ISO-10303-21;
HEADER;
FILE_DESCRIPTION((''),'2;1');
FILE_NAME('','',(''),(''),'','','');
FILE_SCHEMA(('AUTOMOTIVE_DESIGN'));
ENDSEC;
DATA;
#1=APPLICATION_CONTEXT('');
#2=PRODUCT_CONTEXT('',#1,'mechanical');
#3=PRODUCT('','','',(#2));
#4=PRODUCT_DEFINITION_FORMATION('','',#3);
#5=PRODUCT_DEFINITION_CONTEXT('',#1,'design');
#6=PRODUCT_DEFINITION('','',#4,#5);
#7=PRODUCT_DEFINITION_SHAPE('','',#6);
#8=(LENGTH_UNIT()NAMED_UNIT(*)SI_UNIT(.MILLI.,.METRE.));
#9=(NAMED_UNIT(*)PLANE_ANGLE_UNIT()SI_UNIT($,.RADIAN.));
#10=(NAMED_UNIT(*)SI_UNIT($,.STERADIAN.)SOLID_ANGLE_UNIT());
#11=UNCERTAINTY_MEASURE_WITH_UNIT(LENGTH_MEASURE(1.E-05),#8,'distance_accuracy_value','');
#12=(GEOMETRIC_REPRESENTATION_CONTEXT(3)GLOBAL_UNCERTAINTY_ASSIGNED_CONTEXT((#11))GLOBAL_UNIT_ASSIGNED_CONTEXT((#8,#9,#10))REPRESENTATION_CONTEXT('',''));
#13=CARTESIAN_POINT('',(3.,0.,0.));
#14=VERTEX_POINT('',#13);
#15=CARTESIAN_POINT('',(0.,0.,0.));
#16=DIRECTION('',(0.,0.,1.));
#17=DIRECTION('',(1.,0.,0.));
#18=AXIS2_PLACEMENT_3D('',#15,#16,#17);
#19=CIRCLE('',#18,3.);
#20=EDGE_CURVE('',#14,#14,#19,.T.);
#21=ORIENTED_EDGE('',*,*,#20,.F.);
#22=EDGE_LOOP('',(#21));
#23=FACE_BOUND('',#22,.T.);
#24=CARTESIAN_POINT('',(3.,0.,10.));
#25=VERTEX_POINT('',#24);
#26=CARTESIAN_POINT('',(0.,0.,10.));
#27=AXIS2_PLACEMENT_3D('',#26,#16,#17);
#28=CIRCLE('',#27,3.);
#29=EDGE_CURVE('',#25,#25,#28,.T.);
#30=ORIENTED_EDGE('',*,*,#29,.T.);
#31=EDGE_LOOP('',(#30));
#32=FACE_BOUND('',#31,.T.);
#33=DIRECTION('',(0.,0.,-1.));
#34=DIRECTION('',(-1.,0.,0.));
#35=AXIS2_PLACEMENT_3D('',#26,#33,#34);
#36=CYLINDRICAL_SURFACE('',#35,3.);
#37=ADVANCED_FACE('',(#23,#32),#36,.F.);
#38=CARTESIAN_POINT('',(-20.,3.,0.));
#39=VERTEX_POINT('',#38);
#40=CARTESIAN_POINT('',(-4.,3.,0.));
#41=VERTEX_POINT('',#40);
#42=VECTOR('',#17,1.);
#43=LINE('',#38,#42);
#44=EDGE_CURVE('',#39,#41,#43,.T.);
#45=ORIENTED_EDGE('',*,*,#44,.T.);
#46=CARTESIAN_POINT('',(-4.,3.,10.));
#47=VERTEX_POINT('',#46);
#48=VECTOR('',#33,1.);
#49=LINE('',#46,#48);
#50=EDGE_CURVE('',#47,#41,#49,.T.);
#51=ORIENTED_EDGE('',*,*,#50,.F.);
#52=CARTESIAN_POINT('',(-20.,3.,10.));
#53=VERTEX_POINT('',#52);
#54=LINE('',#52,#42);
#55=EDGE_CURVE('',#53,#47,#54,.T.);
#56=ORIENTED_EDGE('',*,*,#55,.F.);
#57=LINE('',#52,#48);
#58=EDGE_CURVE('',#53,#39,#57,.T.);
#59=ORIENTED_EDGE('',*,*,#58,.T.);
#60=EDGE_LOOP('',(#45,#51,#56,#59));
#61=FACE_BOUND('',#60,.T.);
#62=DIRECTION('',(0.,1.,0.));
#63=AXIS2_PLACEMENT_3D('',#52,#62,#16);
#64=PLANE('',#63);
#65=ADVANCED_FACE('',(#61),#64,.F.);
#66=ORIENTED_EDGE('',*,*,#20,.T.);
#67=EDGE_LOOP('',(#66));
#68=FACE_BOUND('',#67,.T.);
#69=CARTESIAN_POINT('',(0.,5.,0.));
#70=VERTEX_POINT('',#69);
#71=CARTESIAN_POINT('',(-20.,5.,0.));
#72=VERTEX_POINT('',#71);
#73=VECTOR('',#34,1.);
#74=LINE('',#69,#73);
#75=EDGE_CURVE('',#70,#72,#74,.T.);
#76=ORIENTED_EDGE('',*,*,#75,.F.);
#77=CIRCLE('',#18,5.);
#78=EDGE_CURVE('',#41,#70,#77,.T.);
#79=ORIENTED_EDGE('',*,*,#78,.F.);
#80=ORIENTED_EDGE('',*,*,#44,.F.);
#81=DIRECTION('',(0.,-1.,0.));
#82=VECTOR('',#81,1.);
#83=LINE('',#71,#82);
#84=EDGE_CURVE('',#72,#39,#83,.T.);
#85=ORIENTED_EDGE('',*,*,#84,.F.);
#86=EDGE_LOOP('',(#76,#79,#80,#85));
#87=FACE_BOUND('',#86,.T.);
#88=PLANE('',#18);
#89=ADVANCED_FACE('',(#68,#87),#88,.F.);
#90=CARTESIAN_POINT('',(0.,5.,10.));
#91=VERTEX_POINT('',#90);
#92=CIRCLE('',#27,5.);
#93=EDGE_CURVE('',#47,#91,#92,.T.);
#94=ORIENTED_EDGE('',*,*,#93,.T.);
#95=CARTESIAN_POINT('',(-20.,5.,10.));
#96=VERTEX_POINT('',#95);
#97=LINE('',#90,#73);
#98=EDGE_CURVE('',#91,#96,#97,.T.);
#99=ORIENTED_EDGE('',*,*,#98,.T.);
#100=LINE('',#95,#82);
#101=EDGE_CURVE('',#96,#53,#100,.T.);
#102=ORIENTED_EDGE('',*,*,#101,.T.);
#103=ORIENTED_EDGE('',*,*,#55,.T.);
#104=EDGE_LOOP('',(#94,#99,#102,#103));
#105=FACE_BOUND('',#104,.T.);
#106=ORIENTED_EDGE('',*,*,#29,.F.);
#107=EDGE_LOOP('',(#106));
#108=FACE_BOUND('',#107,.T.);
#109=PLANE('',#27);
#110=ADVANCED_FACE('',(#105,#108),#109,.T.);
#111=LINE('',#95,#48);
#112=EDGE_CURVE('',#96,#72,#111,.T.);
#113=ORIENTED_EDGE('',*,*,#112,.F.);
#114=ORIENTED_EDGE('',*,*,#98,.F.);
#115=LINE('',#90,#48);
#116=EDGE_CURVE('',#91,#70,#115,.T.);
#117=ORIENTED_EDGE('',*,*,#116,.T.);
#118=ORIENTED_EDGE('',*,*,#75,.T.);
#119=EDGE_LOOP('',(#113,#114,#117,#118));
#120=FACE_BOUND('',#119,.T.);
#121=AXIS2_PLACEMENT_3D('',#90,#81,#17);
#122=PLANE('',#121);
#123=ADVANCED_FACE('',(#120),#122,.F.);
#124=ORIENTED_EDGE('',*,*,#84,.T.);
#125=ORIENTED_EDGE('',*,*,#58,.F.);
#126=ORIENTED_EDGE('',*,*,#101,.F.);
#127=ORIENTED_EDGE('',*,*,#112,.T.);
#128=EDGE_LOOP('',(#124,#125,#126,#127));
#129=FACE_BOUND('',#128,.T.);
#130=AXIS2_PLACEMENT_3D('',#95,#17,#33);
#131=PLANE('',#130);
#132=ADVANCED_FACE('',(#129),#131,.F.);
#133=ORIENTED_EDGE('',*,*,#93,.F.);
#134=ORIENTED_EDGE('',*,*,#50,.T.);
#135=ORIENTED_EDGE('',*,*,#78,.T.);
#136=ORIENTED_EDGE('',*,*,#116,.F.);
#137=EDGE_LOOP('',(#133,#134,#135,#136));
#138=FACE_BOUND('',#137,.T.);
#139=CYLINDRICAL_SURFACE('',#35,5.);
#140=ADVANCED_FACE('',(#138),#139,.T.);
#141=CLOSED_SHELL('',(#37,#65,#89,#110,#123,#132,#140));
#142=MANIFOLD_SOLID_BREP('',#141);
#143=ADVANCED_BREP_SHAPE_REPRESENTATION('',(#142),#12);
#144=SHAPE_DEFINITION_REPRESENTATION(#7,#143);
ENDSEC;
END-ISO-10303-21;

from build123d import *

# Parameters (mm, degrees)
SKETCH1_R           = 3
BOSS_EXTRUDE1_DEPTH = 10


with BuildPart() as part:
    # Sketch1 → Boss-Extrude1 (new body)
    with BuildSketch(Plane.XY):
        with BuildLine():
            Line((0, 5), (-20, 5))
            Line((-20, 5), (-20, 3))
            Line((-20, 3), (-4, 3))
            ThreePointArc((-4, 3), (2.236067977, -4.472135955), (0, 5))
        make_face()
        Circle(SKETCH1_R, mode=Mode.SUBTRACT)
    extrude(amount=BOSS_EXTRUDE1_DEPTH)


solid = part.part
